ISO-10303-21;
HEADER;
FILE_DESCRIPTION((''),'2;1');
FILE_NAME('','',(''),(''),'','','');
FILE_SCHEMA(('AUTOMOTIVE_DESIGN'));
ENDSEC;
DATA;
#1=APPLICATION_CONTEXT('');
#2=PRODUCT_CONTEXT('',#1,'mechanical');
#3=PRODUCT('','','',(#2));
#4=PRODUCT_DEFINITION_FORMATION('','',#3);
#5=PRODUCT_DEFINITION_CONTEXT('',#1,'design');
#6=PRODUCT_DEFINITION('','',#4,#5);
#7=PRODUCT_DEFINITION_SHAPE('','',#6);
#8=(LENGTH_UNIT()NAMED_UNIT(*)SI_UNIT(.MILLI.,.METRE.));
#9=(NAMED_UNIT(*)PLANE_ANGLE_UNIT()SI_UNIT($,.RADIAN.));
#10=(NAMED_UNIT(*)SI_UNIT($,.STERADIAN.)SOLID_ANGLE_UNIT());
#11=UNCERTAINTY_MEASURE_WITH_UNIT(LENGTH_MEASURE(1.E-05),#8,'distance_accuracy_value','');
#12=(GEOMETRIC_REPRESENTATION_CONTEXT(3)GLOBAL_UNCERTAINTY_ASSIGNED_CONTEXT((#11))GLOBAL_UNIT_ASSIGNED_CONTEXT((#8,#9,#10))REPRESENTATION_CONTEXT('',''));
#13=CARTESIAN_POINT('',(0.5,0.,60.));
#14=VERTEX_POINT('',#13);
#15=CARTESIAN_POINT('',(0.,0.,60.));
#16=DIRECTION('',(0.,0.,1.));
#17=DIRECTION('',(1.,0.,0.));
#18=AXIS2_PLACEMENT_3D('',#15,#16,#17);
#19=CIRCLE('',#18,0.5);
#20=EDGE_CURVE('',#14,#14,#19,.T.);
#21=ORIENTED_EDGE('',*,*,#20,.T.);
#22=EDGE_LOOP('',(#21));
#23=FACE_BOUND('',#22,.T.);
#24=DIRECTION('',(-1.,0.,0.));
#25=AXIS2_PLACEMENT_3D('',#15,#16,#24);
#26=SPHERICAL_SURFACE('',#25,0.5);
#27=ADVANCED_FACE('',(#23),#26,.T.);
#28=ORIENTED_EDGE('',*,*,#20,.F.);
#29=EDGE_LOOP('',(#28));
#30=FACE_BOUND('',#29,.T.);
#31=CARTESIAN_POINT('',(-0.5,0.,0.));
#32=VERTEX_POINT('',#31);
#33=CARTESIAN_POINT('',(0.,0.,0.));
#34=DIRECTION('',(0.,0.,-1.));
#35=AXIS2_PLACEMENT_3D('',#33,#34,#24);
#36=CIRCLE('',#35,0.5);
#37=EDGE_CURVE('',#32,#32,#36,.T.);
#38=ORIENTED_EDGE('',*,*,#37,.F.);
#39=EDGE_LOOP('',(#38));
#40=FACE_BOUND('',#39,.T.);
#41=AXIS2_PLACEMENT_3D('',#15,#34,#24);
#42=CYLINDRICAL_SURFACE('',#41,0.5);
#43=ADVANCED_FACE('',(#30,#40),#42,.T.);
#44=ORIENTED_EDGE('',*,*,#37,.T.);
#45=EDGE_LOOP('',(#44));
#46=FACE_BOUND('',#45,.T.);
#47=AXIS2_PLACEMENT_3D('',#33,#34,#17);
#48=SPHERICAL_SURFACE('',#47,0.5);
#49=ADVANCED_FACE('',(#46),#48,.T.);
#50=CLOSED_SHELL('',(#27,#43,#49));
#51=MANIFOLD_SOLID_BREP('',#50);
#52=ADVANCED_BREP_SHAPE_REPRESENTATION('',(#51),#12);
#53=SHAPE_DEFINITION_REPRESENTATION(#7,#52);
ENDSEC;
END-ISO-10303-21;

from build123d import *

# Parameters (mm, degrees)
ESQUISSE2_R          = 0.5
BASE_EXTRUSION_DEPTH = 60


with BuildPart() as part:
    # Esquisse2 → Base-Extrusion (new body)
    with BuildSketch(Plane.XY):
        Circle(ESQUISSE2_R)
    extrude(amount=BASE_EXTRUSION_DEPTH)

    # Esquisse7 → Boss.-Révol.1 (revolve)
    with BuildSketch(Plane(origin=(0, 0, 0), x_dir=(1, 0, 0), z_dir=(0, 1, 0))):
        with BuildLine():
            Line((0, -60), (0, -60.5))
            ThreePointArc((0, -60.5), (-0.353553391, -60.353553391), (-0.5, -60))
            Line((-0.5, -60), (0, -60))
        make_face()
    revolve(axis=Axis((0, 0, 66.095405801), (0, 0, -1)))

    # Esquisse8 → Boss.-Révol.2 (revolve)
    with BuildSketch(Plane(origin=(0, 0, 0), x_dir=(1, 0, 0), z_dir=(0, 1, 0))):
        with BuildLine():
            Line((0, 0), (-0.5, 0))
            ThreePointArc((-0.5, 0), (-0.353553391, 0.353553391), (0, 0.5))
            Line((0, 0.5), (0, 0))
        make_face()
    revolve(axis=Axis((0, 0, -7.993801509), (0, 0, 1)))


solid = part.part
